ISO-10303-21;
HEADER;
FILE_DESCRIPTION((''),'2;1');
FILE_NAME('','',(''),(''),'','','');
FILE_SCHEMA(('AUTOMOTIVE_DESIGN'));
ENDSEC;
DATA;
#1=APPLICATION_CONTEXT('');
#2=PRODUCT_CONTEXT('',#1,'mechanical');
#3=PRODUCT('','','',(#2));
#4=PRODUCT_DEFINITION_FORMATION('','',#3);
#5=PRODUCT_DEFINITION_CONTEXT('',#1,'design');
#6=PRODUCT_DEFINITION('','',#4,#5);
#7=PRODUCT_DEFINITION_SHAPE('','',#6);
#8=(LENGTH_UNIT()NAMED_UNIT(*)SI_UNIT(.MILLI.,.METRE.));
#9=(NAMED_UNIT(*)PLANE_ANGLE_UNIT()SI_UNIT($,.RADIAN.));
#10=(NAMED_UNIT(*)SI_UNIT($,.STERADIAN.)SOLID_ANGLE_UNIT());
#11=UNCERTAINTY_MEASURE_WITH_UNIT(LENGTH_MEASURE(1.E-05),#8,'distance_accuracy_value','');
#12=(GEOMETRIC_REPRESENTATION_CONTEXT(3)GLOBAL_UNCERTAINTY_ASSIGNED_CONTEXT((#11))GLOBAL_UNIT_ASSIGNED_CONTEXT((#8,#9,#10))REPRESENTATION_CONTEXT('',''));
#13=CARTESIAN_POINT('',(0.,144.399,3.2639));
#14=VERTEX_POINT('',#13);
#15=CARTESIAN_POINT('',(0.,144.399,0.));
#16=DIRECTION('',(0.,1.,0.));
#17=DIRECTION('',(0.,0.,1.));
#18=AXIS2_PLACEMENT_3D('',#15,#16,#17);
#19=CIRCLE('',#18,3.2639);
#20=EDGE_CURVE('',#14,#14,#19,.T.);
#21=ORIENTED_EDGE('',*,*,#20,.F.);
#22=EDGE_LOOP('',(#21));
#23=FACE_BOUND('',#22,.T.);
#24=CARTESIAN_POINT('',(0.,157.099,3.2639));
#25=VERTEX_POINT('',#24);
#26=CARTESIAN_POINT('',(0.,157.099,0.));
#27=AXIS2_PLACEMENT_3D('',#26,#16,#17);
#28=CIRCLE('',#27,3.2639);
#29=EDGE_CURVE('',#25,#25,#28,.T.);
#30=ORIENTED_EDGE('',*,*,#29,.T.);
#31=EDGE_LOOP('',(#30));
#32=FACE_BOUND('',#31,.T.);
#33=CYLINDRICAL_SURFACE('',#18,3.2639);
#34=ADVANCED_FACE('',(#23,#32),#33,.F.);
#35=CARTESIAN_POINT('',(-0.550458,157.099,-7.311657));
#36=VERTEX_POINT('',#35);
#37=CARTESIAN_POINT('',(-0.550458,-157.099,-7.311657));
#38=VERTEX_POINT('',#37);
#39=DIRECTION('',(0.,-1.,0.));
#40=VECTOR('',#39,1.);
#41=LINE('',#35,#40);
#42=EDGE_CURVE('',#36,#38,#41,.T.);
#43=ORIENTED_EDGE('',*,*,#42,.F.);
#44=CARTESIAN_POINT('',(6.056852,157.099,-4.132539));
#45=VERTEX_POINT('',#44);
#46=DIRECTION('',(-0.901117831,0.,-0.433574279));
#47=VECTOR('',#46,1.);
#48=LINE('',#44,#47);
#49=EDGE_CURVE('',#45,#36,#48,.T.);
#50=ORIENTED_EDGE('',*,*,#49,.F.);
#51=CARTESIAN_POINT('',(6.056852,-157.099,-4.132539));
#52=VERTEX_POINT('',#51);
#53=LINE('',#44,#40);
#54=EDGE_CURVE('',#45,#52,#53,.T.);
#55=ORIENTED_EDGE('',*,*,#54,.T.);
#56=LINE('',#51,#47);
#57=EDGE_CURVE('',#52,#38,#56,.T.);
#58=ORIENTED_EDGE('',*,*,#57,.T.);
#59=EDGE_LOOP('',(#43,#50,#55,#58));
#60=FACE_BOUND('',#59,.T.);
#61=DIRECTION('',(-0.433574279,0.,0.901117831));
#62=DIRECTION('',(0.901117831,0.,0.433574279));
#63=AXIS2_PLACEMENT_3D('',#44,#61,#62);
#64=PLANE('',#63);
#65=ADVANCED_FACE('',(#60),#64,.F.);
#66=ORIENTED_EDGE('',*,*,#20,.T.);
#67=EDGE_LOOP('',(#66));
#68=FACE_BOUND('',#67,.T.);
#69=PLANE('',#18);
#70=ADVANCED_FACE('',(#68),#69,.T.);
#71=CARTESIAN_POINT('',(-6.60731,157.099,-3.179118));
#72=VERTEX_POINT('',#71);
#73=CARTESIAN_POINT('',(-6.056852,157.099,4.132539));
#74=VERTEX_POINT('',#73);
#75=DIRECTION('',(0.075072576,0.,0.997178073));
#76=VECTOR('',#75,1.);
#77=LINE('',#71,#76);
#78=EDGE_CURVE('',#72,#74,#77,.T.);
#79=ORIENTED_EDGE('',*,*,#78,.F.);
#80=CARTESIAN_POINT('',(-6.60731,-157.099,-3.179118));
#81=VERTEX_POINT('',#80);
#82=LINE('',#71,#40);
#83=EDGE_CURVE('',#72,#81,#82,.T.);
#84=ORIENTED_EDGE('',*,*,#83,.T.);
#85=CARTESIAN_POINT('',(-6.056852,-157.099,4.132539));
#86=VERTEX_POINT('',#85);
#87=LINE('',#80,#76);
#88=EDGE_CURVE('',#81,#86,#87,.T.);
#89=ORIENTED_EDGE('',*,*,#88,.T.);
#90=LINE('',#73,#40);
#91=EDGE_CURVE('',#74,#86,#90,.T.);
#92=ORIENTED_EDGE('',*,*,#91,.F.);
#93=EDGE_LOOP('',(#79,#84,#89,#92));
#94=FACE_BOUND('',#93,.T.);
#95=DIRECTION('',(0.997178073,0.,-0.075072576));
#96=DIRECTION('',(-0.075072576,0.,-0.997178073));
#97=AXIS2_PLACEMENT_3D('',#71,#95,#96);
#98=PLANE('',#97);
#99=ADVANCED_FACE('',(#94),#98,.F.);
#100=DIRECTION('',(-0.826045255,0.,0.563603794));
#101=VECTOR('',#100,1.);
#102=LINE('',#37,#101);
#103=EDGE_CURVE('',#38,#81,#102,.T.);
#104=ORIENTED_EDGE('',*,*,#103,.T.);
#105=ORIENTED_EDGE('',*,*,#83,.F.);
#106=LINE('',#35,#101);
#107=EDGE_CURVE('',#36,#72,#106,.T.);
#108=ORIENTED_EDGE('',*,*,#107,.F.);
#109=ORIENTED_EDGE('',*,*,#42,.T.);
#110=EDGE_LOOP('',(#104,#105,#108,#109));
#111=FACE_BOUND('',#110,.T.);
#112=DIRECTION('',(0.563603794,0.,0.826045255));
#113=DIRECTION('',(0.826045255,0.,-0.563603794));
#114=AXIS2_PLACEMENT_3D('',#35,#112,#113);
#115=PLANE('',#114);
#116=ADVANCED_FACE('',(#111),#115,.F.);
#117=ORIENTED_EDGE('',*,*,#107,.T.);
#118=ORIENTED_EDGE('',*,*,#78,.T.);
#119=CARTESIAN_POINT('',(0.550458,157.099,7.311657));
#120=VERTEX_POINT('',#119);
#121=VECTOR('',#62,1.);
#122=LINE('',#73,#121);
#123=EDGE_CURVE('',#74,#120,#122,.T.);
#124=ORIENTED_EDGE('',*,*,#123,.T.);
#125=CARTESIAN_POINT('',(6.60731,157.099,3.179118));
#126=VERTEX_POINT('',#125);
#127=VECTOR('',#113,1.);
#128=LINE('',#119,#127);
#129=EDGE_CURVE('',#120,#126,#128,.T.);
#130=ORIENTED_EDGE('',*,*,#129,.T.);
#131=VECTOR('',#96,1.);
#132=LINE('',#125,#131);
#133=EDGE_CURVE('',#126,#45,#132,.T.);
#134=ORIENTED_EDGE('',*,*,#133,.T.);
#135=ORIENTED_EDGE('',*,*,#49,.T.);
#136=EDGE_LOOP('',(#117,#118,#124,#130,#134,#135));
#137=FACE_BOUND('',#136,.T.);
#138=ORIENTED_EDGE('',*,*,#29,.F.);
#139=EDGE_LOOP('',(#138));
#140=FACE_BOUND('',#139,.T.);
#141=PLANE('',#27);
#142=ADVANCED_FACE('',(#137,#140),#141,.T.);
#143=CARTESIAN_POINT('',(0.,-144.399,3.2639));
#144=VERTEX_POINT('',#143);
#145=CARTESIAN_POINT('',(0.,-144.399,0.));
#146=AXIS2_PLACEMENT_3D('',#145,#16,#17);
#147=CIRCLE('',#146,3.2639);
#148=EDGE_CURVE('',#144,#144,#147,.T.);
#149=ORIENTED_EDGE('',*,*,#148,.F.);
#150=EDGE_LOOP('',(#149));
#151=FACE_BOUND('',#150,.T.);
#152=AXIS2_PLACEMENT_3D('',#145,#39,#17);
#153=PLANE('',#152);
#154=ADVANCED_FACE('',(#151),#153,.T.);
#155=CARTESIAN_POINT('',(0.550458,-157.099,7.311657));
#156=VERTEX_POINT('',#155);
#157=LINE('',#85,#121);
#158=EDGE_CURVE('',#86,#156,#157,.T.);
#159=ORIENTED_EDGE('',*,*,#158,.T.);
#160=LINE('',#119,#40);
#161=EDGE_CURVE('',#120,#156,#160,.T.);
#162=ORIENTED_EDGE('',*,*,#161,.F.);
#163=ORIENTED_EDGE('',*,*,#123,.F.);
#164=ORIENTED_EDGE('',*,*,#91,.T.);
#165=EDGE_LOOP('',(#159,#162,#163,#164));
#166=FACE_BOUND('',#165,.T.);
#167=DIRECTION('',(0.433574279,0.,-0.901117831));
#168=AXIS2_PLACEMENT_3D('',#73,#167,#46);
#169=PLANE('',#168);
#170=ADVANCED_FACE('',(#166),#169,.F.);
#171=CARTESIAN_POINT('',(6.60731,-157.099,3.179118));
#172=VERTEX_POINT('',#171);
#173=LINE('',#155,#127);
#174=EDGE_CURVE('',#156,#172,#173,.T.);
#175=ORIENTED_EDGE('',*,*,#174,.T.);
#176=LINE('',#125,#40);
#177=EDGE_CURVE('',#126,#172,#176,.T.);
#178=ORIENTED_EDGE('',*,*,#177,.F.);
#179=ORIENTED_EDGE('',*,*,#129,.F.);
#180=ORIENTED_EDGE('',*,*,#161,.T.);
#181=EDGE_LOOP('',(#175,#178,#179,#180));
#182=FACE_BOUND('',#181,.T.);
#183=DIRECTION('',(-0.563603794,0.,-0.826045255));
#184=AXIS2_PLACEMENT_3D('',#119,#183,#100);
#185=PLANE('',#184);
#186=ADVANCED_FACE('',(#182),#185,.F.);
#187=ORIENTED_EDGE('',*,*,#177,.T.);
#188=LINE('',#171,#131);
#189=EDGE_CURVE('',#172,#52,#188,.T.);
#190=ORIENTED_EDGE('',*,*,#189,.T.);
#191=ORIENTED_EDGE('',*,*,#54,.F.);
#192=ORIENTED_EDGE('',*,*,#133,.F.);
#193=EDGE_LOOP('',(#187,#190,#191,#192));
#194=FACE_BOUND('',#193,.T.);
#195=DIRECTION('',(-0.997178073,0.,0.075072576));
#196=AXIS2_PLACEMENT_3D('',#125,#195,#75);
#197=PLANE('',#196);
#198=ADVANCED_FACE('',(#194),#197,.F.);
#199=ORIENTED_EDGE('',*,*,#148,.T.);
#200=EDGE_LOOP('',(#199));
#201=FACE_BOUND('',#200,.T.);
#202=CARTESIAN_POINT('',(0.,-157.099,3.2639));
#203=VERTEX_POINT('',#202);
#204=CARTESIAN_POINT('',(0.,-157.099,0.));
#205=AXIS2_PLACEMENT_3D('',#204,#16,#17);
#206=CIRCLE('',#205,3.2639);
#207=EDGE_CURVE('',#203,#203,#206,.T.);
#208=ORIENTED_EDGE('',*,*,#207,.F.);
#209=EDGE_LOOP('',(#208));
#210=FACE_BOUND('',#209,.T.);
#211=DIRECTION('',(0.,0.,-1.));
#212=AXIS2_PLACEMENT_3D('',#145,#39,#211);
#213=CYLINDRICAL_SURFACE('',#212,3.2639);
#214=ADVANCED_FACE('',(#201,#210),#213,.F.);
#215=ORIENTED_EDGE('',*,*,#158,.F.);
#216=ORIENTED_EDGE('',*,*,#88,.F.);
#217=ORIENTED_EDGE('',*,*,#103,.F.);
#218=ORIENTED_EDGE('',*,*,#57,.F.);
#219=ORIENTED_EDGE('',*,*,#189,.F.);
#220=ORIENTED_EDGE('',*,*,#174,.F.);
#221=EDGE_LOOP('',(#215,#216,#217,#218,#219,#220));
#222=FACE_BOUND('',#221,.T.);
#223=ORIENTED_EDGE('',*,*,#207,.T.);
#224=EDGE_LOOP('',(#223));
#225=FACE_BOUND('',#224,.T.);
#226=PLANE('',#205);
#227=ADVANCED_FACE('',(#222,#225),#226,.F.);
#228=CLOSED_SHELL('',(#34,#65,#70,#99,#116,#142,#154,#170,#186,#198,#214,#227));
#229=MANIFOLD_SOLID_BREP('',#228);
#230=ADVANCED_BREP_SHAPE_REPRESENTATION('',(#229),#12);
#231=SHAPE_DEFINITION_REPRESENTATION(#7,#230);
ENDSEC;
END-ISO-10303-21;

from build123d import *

# Parameters (mm, degrees)
BOSS_EXTRUDE1_DEPTH = 157.099
SKETCH2_R           = 3.2639
CUT_EXTRUDE1_DEPTH  = 12.7


with BuildPart() as part:
    # Sketch1 → Boss-Extrude1 (new body, symmetric)
    with BuildSketch(Plane(origin=(0, 0, 0), x_dir=(1, 0, 0), z_dir=(0, 1, 0))):
        Polygon((6.05685162, 4.132539387), (-0.550458281, 7.311657064), (-6.607309901, 3.179117677), (-6.05685162, -4.132539387), (0.550458281, -7.311657064), (6.607309901, -3.179117677), align=None)
    extrude(amount=BOSS_EXTRUDE1_DEPTH, both=True)

    # Sketch2 → Cut-Extrude1 (cut)
    with BuildSketch(Plane(origin=(0, 157.099, 0), x_dir=(1, 0, 0), z_dir=(0, 1, 0))):
        Circle(SKETCH2_R)
    cut_extrude1 = extrude(amount=-CUT_EXTRUDE1_DEPTH, mode=Mode.SUBTRACT)

    # Mirror1: Cut-Extrude1 across plane
    add(cut_extrude1.mirror(Plane.ZX), mode=Mode.SUBTRACT)


solid = part.part
